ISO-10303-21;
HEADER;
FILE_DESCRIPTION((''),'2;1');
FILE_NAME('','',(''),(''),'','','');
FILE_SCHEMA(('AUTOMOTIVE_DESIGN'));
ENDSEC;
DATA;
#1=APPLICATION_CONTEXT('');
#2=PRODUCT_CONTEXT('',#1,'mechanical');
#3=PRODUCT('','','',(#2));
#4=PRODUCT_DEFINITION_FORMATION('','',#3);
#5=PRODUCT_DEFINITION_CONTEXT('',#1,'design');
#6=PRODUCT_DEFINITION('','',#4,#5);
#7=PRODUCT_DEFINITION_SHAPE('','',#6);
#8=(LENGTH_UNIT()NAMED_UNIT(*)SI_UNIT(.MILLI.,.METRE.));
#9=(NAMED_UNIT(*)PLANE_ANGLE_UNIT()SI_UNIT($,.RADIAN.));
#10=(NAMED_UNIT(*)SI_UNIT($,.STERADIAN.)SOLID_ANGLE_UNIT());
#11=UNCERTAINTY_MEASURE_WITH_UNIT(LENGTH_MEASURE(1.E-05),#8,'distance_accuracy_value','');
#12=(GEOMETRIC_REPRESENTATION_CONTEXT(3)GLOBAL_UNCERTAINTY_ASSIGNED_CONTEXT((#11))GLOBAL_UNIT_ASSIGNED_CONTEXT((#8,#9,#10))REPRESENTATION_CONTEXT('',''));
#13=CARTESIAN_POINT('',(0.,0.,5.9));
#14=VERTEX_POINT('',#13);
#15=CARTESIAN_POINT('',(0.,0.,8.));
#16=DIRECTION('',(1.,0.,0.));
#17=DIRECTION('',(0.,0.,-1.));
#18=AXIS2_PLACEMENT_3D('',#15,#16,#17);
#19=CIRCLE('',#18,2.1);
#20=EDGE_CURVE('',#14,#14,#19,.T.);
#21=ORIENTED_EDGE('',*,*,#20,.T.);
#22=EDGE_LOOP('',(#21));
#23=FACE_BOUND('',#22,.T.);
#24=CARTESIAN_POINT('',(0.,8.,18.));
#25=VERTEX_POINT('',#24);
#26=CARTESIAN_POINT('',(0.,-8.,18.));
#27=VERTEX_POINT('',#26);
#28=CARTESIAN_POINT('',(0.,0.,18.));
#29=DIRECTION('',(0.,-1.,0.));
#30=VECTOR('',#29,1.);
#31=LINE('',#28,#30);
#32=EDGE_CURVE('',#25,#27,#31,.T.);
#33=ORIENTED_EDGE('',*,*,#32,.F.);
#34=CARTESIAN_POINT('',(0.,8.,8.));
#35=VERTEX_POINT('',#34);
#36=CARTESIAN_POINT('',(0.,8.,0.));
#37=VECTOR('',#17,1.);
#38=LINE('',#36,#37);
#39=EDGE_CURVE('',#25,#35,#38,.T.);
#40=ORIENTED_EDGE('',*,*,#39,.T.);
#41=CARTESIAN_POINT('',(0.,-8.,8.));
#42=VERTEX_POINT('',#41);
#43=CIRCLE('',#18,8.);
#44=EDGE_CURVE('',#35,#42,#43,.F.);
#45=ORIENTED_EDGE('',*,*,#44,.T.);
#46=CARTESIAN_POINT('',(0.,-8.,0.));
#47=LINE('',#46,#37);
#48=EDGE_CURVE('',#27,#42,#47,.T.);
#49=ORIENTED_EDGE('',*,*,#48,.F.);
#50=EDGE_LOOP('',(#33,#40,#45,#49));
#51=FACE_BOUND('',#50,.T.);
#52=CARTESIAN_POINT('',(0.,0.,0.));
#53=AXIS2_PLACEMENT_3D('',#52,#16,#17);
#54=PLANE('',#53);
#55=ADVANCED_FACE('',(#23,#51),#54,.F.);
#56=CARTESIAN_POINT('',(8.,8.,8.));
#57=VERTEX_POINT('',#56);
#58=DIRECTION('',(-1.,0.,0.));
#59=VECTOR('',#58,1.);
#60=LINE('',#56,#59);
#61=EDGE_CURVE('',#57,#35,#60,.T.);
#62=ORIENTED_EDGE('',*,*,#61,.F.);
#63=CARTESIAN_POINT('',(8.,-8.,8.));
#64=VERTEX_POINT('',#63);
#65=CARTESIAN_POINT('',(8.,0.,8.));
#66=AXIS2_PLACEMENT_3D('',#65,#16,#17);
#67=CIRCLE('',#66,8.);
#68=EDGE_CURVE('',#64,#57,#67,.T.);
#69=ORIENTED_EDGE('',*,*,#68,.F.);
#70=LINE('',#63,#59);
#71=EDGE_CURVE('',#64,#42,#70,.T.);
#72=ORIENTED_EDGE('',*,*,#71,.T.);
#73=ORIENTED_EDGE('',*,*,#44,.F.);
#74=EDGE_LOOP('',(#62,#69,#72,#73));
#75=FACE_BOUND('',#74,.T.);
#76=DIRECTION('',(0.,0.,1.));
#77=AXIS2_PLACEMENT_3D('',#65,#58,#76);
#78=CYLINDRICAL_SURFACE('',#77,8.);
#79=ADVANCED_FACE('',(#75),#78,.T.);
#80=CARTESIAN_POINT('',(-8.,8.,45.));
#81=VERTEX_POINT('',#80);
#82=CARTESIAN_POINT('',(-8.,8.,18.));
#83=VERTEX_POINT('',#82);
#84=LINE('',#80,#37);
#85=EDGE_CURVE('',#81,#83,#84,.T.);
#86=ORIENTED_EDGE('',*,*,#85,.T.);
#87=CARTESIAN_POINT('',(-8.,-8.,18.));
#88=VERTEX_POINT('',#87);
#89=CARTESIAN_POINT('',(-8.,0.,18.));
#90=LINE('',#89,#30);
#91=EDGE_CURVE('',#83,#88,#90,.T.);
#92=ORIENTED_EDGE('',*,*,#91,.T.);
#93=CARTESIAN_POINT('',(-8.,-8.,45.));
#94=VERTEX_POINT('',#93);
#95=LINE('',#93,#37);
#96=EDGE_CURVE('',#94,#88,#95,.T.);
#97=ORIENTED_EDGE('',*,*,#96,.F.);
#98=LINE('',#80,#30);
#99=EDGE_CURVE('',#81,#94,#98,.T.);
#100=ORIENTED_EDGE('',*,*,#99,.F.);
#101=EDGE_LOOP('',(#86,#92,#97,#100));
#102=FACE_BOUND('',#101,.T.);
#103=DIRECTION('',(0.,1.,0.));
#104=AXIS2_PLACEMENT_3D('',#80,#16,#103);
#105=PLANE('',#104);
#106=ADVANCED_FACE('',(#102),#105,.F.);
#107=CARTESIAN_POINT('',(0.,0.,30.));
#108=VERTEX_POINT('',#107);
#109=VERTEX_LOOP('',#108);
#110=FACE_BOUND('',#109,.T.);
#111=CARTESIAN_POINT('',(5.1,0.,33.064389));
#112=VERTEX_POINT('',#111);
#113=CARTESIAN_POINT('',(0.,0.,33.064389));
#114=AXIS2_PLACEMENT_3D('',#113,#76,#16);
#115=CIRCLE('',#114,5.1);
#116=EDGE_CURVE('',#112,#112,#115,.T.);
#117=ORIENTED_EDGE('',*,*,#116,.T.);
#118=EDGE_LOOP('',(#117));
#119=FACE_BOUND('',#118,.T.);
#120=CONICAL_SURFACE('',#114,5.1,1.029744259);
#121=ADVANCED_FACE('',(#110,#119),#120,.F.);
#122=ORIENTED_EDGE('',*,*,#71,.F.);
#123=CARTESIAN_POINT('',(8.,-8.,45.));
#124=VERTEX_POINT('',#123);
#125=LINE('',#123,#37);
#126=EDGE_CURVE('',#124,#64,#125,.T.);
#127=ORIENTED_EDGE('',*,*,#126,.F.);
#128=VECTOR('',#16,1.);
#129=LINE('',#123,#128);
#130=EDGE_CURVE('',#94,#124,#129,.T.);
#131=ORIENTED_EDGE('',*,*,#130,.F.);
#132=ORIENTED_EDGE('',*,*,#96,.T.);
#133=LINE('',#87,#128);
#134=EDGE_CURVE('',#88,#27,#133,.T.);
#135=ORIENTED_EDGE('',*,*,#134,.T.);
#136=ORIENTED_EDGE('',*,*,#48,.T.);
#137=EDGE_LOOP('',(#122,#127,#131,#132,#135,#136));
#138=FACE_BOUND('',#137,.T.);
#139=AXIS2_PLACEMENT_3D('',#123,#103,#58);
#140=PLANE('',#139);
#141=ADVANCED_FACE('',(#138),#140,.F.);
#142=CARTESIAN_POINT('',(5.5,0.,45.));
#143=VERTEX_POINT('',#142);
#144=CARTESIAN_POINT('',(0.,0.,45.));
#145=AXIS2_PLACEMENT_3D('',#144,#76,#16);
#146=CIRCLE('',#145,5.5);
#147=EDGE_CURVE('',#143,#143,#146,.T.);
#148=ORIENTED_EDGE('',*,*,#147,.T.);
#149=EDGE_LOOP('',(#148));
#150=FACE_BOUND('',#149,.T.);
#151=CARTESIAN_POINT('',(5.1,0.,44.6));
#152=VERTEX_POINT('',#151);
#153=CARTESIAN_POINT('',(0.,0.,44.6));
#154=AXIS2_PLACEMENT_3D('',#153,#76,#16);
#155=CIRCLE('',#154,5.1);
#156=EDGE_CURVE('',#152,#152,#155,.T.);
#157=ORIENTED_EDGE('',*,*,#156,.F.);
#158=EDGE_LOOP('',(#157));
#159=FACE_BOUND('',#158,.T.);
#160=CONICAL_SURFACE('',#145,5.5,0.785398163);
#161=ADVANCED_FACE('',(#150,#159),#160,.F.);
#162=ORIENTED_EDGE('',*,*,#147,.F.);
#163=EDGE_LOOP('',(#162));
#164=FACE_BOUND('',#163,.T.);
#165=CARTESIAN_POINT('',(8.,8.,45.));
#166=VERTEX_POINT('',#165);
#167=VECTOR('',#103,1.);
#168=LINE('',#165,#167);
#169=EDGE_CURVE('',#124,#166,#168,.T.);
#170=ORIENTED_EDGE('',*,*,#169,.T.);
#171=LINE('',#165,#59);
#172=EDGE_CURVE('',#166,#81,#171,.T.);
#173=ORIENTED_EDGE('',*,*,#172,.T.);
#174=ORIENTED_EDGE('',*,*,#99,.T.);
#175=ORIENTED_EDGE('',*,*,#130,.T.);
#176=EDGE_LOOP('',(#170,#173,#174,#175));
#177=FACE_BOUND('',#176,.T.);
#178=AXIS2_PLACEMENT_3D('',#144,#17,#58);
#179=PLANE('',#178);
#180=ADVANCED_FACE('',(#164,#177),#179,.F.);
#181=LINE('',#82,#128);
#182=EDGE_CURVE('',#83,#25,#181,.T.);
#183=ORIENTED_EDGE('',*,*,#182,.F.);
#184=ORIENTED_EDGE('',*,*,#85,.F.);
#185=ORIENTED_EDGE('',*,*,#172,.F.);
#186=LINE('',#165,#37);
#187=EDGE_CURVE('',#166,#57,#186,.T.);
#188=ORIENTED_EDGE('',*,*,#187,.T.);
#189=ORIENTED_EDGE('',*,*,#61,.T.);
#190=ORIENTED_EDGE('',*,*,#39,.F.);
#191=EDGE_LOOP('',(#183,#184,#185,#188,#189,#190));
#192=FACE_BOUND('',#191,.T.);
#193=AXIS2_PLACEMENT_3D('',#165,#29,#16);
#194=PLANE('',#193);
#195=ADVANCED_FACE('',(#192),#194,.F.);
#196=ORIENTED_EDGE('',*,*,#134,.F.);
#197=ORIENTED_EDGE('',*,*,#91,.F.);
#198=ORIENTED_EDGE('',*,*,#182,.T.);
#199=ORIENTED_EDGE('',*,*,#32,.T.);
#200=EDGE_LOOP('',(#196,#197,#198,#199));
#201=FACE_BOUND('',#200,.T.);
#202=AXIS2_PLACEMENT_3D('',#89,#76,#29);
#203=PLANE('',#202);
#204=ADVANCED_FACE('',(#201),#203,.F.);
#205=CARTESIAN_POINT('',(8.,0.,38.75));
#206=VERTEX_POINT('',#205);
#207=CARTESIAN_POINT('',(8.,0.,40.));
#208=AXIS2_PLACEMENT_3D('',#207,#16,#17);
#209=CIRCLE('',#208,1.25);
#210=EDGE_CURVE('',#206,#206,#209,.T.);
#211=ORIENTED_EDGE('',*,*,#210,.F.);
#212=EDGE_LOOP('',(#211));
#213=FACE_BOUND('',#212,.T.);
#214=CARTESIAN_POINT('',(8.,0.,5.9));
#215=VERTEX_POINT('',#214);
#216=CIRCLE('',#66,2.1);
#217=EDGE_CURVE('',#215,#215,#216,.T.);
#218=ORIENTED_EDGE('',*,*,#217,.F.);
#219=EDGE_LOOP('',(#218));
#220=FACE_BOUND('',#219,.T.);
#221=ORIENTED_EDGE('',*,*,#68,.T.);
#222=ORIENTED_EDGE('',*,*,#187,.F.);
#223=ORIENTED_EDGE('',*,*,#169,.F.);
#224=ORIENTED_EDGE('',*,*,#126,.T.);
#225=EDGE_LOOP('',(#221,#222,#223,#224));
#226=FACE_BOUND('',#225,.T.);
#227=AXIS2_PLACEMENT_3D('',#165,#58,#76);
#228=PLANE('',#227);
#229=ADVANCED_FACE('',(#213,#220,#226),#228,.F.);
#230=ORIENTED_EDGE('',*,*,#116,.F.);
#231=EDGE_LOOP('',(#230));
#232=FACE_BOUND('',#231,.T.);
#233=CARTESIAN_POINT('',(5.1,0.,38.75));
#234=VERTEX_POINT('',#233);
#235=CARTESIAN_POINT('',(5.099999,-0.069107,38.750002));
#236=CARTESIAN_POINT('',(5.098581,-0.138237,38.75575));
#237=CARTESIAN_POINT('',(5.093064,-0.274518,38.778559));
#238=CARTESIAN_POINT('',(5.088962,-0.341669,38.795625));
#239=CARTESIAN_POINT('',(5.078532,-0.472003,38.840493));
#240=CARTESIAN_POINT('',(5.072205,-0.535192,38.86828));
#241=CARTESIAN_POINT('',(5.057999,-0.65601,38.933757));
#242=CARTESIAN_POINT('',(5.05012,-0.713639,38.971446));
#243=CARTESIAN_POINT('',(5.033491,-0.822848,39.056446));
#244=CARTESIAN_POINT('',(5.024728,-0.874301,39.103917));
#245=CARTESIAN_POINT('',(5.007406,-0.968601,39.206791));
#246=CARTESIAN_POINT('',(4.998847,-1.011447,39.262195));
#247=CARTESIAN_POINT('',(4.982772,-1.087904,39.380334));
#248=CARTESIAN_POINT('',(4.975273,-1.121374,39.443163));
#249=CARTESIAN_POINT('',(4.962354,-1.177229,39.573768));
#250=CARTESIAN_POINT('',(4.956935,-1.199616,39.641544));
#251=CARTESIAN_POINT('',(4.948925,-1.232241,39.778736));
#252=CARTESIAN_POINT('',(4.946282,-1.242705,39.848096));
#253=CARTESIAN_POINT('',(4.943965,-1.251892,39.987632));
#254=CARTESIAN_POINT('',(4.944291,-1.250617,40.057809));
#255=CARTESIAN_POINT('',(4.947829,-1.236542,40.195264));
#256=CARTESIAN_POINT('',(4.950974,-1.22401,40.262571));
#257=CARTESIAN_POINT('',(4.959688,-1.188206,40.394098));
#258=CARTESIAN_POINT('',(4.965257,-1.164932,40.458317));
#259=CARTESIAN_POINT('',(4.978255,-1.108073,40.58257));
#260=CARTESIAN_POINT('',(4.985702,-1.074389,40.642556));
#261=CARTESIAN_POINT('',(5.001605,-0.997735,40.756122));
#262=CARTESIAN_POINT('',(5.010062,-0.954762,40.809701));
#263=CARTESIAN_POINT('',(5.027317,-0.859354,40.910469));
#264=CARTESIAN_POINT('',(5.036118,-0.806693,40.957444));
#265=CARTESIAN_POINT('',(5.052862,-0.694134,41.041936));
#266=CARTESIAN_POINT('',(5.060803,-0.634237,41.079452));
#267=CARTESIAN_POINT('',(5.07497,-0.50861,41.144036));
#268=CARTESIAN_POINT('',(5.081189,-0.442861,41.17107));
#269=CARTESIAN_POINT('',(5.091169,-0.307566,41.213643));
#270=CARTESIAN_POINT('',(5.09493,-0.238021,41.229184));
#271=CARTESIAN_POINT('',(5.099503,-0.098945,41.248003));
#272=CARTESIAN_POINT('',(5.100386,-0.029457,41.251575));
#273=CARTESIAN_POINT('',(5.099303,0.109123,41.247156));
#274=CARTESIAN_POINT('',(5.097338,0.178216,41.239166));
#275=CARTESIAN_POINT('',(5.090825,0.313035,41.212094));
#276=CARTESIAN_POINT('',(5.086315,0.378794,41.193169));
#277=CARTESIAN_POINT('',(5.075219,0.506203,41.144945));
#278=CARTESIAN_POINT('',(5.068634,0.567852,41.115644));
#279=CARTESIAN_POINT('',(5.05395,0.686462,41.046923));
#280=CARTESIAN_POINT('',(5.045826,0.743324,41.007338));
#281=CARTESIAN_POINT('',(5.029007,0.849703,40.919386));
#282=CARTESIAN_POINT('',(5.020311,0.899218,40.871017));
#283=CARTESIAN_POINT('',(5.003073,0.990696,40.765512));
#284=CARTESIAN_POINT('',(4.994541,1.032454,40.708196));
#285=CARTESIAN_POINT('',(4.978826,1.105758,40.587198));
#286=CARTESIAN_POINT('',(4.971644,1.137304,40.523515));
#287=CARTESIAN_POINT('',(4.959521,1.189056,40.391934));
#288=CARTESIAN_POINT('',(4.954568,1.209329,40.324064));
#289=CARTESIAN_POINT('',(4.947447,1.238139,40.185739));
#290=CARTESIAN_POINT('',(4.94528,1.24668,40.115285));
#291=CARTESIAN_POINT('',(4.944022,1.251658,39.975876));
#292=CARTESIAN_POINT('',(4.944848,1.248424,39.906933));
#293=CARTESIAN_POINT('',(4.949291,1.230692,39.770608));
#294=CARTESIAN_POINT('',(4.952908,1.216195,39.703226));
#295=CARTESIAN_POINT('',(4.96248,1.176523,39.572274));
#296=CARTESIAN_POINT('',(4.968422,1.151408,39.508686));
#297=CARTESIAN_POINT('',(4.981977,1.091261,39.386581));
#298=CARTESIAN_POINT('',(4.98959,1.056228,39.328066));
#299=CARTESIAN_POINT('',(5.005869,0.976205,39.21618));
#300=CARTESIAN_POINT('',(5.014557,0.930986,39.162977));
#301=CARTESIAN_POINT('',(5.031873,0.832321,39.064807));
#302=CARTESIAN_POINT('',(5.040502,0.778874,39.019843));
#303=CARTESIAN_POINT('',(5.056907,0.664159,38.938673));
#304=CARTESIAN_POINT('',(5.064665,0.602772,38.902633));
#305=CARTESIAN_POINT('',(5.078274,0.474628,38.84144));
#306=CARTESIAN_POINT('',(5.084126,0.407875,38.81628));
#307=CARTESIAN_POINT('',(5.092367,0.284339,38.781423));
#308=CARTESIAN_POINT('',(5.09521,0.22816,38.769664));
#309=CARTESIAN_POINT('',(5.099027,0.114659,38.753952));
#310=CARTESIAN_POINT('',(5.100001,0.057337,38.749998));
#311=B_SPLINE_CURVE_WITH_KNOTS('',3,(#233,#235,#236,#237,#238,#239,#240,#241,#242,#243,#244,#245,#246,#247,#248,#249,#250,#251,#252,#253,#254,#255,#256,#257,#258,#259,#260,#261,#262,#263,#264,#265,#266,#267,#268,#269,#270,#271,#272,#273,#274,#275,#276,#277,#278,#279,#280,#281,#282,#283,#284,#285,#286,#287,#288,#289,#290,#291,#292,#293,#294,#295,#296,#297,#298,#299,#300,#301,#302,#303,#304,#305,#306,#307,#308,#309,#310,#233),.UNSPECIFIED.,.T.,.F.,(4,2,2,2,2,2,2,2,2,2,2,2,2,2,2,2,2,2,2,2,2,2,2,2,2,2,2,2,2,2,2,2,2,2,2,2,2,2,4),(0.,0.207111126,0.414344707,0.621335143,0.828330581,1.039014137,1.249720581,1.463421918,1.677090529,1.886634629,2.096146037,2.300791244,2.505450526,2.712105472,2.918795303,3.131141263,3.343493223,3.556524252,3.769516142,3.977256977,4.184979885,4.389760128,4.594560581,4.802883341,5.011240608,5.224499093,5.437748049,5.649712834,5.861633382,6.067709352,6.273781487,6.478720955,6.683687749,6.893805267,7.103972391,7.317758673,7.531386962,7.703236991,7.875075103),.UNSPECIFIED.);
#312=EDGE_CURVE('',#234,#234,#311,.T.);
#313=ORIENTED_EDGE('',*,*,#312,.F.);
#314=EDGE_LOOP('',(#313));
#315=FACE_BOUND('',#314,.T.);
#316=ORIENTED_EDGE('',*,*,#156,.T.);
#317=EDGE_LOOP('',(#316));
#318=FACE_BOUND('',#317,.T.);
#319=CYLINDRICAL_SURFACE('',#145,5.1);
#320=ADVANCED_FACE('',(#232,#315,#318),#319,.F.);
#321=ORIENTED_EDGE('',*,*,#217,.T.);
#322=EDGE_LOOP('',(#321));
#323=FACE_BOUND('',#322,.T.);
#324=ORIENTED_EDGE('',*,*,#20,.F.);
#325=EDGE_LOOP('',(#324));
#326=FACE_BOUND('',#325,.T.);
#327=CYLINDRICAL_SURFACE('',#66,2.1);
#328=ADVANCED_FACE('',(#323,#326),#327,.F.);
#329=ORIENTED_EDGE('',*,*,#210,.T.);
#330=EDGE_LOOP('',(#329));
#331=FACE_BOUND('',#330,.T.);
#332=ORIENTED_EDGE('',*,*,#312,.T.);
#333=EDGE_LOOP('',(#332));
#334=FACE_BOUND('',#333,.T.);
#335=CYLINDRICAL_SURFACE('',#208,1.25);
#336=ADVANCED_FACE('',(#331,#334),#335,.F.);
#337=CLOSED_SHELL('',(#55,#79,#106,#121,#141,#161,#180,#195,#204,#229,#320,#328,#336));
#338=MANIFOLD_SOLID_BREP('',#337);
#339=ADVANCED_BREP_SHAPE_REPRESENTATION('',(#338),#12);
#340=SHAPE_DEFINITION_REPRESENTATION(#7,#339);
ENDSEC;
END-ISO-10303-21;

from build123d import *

# Parameters (mm, degrees)
SKETCH1_W                               = 16
SKETCH1_H                               = 16
BASE_DEPTH                              = 45
SKETCH3_W                               = 19.927362357
SKETCH3_H                               = 16
SLOTFORANOTHERPART_DEPTH                = 47.400431032
CHAMFERFORSLOT_DEPTH                    = 47.400431032
M5X0_8_TAPPED_HOLE_FOR_SLOTSCREW_D      = 4.2
M5X0_8_TAPPED_HOLE_FOR_SLOTSCREW_DEPTH  = 11.1381927
M5X0_8_TAPPED_HOLE_FOR_SLOTSCREW_TIP    = 1.2618073
M3X0_5_TAPPED_HOLE_FOR_ROD_FIXING_D     = 2.5
M3X0_5_TAPPED_HOLE_FOR_ROD_FIXING_DEPTH = 6.748924226
M3X0_5_TAPPED_HOLE_FOR_ROD_FIXING_TIP   = 0.751075774
F_10_2_10_2_ROD_HOLE_D                  = 10.2
F_10_2_10_2_ROD_HOLE_DEPTH              = 11.935610843
F_10_2_10_2_ROD_HOLE_CSINK_D            = 11
F_10_2_10_2_ROD_HOLE_CSINK_ANGLE        = 90
F_10_2_10_2_ROD_HOLE_TIP                = 3.064389157


with BuildPart() as part:
    # Sketch1 → Base (new body)
    with BuildSketch(Plane.XY):
        Rectangle(SKETCH1_W, SKETCH1_H)
    extrude(amount=BASE_DEPTH)

    # Sketch3 → SlotForAnotherPart (cut, through all)
    with BuildSketch(Plane(origin=(0, 0, 0), x_dir=(0, 0, -1), z_dir=(1, 0, 0))):
        with Locations((-8.036318822, 0)):
            Rectangle(SKETCH3_W, SKETCH3_H)
    extrude(amount=-SLOTFORANOTHERPART_DEPTH, mode=Mode.SUBTRACT)

    # Sketch3<3> → ChamferForSlot (cut, through all)
    with BuildSketch(Plane(origin=(0, 0, 0), x_dir=(0, 0, -1), z_dir=(1, 0, 0))):
        with BuildLine():
            Line((1.927362357, 8), (-8.000000039, 8))
            ThreePointArc((-8.000000039, 8), (-2.343145764, 5.656854263), (0, 0))
            ThreePointArc((0, 0), (-2.343145751, -5.656854249), (-8, -8))
            Line((-8, -8), (1.927362357, -8))
            Line((1.927362357, -8), (1.927362357, 8))
        make_face()
    extrude(amount=CHAMFERFORSLOT_DEPTH, mode=Mode.SUBTRACT)

    # M5x0.8 Tapped Hole for SlotScrew
    with Locations(Plane(origin=(8, 0, 0), x_dir=(0, 0, -1), z_dir=(1, 0, 0))):
        with Locations((-8, 0)):
            Hole(M5X0_8_TAPPED_HOLE_FOR_SLOTSCREW_D / 2, depth=M5X0_8_TAPPED_HOLE_FOR_SLOTSCREW_DEPTH)
            with Locations((0, 0, -(M5X0_8_TAPPED_HOLE_FOR_SLOTSCREW_DEPTH + M5X0_8_TAPPED_HOLE_FOR_SLOTSCREW_TIP / 2))):  # 118° drill point
                Cone(0, M5X0_8_TAPPED_HOLE_FOR_SLOTSCREW_D / 2, M5X0_8_TAPPED_HOLE_FOR_SLOTSCREW_TIP, mode=Mode.SUBTRACT)

    # M3x0.5 Tapped Hole for Rod Fixing
    with Locations(Plane(origin=(8, 0, 0), x_dir=(0, 0, -1), z_dir=(1, 0, 0))):
        with Locations((-40, 0)):
            Hole(M3X0_5_TAPPED_HOLE_FOR_ROD_FIXING_D / 2, depth=M3X0_5_TAPPED_HOLE_FOR_ROD_FIXING_DEPTH)
            with Locations((0, 0, -(M3X0_5_TAPPED_HOLE_FOR_ROD_FIXING_DEPTH + M3X0_5_TAPPED_HOLE_FOR_ROD_FIXING_TIP / 2))):  # 118° drill point
                Cone(0, M3X0_5_TAPPED_HOLE_FOR_ROD_FIXING_D / 2, M3X0_5_TAPPED_HOLE_FOR_ROD_FIXING_TIP, mode=Mode.SUBTRACT)

    # Ø10.2 (10.2) Rod Hole
    with Locations(Plane.XY.offset(45)):
        with Locations((0, 0)):
            CounterSinkHole(F_10_2_10_2_ROD_HOLE_D / 2, F_10_2_10_2_ROD_HOLE_CSINK_D / 2, depth=F_10_2_10_2_ROD_HOLE_DEPTH, counter_sink_angle=F_10_2_10_2_ROD_HOLE_CSINK_ANGLE)
            with Locations((0, 0, -(F_10_2_10_2_ROD_HOLE_DEPTH + F_10_2_10_2_ROD_HOLE_TIP / 2))):  # 118° drill point
                Cone(0, F_10_2_10_2_ROD_HOLE_D / 2, F_10_2_10_2_ROD_HOLE_TIP, mode=Mode.SUBTRACT)


solid = part.part
